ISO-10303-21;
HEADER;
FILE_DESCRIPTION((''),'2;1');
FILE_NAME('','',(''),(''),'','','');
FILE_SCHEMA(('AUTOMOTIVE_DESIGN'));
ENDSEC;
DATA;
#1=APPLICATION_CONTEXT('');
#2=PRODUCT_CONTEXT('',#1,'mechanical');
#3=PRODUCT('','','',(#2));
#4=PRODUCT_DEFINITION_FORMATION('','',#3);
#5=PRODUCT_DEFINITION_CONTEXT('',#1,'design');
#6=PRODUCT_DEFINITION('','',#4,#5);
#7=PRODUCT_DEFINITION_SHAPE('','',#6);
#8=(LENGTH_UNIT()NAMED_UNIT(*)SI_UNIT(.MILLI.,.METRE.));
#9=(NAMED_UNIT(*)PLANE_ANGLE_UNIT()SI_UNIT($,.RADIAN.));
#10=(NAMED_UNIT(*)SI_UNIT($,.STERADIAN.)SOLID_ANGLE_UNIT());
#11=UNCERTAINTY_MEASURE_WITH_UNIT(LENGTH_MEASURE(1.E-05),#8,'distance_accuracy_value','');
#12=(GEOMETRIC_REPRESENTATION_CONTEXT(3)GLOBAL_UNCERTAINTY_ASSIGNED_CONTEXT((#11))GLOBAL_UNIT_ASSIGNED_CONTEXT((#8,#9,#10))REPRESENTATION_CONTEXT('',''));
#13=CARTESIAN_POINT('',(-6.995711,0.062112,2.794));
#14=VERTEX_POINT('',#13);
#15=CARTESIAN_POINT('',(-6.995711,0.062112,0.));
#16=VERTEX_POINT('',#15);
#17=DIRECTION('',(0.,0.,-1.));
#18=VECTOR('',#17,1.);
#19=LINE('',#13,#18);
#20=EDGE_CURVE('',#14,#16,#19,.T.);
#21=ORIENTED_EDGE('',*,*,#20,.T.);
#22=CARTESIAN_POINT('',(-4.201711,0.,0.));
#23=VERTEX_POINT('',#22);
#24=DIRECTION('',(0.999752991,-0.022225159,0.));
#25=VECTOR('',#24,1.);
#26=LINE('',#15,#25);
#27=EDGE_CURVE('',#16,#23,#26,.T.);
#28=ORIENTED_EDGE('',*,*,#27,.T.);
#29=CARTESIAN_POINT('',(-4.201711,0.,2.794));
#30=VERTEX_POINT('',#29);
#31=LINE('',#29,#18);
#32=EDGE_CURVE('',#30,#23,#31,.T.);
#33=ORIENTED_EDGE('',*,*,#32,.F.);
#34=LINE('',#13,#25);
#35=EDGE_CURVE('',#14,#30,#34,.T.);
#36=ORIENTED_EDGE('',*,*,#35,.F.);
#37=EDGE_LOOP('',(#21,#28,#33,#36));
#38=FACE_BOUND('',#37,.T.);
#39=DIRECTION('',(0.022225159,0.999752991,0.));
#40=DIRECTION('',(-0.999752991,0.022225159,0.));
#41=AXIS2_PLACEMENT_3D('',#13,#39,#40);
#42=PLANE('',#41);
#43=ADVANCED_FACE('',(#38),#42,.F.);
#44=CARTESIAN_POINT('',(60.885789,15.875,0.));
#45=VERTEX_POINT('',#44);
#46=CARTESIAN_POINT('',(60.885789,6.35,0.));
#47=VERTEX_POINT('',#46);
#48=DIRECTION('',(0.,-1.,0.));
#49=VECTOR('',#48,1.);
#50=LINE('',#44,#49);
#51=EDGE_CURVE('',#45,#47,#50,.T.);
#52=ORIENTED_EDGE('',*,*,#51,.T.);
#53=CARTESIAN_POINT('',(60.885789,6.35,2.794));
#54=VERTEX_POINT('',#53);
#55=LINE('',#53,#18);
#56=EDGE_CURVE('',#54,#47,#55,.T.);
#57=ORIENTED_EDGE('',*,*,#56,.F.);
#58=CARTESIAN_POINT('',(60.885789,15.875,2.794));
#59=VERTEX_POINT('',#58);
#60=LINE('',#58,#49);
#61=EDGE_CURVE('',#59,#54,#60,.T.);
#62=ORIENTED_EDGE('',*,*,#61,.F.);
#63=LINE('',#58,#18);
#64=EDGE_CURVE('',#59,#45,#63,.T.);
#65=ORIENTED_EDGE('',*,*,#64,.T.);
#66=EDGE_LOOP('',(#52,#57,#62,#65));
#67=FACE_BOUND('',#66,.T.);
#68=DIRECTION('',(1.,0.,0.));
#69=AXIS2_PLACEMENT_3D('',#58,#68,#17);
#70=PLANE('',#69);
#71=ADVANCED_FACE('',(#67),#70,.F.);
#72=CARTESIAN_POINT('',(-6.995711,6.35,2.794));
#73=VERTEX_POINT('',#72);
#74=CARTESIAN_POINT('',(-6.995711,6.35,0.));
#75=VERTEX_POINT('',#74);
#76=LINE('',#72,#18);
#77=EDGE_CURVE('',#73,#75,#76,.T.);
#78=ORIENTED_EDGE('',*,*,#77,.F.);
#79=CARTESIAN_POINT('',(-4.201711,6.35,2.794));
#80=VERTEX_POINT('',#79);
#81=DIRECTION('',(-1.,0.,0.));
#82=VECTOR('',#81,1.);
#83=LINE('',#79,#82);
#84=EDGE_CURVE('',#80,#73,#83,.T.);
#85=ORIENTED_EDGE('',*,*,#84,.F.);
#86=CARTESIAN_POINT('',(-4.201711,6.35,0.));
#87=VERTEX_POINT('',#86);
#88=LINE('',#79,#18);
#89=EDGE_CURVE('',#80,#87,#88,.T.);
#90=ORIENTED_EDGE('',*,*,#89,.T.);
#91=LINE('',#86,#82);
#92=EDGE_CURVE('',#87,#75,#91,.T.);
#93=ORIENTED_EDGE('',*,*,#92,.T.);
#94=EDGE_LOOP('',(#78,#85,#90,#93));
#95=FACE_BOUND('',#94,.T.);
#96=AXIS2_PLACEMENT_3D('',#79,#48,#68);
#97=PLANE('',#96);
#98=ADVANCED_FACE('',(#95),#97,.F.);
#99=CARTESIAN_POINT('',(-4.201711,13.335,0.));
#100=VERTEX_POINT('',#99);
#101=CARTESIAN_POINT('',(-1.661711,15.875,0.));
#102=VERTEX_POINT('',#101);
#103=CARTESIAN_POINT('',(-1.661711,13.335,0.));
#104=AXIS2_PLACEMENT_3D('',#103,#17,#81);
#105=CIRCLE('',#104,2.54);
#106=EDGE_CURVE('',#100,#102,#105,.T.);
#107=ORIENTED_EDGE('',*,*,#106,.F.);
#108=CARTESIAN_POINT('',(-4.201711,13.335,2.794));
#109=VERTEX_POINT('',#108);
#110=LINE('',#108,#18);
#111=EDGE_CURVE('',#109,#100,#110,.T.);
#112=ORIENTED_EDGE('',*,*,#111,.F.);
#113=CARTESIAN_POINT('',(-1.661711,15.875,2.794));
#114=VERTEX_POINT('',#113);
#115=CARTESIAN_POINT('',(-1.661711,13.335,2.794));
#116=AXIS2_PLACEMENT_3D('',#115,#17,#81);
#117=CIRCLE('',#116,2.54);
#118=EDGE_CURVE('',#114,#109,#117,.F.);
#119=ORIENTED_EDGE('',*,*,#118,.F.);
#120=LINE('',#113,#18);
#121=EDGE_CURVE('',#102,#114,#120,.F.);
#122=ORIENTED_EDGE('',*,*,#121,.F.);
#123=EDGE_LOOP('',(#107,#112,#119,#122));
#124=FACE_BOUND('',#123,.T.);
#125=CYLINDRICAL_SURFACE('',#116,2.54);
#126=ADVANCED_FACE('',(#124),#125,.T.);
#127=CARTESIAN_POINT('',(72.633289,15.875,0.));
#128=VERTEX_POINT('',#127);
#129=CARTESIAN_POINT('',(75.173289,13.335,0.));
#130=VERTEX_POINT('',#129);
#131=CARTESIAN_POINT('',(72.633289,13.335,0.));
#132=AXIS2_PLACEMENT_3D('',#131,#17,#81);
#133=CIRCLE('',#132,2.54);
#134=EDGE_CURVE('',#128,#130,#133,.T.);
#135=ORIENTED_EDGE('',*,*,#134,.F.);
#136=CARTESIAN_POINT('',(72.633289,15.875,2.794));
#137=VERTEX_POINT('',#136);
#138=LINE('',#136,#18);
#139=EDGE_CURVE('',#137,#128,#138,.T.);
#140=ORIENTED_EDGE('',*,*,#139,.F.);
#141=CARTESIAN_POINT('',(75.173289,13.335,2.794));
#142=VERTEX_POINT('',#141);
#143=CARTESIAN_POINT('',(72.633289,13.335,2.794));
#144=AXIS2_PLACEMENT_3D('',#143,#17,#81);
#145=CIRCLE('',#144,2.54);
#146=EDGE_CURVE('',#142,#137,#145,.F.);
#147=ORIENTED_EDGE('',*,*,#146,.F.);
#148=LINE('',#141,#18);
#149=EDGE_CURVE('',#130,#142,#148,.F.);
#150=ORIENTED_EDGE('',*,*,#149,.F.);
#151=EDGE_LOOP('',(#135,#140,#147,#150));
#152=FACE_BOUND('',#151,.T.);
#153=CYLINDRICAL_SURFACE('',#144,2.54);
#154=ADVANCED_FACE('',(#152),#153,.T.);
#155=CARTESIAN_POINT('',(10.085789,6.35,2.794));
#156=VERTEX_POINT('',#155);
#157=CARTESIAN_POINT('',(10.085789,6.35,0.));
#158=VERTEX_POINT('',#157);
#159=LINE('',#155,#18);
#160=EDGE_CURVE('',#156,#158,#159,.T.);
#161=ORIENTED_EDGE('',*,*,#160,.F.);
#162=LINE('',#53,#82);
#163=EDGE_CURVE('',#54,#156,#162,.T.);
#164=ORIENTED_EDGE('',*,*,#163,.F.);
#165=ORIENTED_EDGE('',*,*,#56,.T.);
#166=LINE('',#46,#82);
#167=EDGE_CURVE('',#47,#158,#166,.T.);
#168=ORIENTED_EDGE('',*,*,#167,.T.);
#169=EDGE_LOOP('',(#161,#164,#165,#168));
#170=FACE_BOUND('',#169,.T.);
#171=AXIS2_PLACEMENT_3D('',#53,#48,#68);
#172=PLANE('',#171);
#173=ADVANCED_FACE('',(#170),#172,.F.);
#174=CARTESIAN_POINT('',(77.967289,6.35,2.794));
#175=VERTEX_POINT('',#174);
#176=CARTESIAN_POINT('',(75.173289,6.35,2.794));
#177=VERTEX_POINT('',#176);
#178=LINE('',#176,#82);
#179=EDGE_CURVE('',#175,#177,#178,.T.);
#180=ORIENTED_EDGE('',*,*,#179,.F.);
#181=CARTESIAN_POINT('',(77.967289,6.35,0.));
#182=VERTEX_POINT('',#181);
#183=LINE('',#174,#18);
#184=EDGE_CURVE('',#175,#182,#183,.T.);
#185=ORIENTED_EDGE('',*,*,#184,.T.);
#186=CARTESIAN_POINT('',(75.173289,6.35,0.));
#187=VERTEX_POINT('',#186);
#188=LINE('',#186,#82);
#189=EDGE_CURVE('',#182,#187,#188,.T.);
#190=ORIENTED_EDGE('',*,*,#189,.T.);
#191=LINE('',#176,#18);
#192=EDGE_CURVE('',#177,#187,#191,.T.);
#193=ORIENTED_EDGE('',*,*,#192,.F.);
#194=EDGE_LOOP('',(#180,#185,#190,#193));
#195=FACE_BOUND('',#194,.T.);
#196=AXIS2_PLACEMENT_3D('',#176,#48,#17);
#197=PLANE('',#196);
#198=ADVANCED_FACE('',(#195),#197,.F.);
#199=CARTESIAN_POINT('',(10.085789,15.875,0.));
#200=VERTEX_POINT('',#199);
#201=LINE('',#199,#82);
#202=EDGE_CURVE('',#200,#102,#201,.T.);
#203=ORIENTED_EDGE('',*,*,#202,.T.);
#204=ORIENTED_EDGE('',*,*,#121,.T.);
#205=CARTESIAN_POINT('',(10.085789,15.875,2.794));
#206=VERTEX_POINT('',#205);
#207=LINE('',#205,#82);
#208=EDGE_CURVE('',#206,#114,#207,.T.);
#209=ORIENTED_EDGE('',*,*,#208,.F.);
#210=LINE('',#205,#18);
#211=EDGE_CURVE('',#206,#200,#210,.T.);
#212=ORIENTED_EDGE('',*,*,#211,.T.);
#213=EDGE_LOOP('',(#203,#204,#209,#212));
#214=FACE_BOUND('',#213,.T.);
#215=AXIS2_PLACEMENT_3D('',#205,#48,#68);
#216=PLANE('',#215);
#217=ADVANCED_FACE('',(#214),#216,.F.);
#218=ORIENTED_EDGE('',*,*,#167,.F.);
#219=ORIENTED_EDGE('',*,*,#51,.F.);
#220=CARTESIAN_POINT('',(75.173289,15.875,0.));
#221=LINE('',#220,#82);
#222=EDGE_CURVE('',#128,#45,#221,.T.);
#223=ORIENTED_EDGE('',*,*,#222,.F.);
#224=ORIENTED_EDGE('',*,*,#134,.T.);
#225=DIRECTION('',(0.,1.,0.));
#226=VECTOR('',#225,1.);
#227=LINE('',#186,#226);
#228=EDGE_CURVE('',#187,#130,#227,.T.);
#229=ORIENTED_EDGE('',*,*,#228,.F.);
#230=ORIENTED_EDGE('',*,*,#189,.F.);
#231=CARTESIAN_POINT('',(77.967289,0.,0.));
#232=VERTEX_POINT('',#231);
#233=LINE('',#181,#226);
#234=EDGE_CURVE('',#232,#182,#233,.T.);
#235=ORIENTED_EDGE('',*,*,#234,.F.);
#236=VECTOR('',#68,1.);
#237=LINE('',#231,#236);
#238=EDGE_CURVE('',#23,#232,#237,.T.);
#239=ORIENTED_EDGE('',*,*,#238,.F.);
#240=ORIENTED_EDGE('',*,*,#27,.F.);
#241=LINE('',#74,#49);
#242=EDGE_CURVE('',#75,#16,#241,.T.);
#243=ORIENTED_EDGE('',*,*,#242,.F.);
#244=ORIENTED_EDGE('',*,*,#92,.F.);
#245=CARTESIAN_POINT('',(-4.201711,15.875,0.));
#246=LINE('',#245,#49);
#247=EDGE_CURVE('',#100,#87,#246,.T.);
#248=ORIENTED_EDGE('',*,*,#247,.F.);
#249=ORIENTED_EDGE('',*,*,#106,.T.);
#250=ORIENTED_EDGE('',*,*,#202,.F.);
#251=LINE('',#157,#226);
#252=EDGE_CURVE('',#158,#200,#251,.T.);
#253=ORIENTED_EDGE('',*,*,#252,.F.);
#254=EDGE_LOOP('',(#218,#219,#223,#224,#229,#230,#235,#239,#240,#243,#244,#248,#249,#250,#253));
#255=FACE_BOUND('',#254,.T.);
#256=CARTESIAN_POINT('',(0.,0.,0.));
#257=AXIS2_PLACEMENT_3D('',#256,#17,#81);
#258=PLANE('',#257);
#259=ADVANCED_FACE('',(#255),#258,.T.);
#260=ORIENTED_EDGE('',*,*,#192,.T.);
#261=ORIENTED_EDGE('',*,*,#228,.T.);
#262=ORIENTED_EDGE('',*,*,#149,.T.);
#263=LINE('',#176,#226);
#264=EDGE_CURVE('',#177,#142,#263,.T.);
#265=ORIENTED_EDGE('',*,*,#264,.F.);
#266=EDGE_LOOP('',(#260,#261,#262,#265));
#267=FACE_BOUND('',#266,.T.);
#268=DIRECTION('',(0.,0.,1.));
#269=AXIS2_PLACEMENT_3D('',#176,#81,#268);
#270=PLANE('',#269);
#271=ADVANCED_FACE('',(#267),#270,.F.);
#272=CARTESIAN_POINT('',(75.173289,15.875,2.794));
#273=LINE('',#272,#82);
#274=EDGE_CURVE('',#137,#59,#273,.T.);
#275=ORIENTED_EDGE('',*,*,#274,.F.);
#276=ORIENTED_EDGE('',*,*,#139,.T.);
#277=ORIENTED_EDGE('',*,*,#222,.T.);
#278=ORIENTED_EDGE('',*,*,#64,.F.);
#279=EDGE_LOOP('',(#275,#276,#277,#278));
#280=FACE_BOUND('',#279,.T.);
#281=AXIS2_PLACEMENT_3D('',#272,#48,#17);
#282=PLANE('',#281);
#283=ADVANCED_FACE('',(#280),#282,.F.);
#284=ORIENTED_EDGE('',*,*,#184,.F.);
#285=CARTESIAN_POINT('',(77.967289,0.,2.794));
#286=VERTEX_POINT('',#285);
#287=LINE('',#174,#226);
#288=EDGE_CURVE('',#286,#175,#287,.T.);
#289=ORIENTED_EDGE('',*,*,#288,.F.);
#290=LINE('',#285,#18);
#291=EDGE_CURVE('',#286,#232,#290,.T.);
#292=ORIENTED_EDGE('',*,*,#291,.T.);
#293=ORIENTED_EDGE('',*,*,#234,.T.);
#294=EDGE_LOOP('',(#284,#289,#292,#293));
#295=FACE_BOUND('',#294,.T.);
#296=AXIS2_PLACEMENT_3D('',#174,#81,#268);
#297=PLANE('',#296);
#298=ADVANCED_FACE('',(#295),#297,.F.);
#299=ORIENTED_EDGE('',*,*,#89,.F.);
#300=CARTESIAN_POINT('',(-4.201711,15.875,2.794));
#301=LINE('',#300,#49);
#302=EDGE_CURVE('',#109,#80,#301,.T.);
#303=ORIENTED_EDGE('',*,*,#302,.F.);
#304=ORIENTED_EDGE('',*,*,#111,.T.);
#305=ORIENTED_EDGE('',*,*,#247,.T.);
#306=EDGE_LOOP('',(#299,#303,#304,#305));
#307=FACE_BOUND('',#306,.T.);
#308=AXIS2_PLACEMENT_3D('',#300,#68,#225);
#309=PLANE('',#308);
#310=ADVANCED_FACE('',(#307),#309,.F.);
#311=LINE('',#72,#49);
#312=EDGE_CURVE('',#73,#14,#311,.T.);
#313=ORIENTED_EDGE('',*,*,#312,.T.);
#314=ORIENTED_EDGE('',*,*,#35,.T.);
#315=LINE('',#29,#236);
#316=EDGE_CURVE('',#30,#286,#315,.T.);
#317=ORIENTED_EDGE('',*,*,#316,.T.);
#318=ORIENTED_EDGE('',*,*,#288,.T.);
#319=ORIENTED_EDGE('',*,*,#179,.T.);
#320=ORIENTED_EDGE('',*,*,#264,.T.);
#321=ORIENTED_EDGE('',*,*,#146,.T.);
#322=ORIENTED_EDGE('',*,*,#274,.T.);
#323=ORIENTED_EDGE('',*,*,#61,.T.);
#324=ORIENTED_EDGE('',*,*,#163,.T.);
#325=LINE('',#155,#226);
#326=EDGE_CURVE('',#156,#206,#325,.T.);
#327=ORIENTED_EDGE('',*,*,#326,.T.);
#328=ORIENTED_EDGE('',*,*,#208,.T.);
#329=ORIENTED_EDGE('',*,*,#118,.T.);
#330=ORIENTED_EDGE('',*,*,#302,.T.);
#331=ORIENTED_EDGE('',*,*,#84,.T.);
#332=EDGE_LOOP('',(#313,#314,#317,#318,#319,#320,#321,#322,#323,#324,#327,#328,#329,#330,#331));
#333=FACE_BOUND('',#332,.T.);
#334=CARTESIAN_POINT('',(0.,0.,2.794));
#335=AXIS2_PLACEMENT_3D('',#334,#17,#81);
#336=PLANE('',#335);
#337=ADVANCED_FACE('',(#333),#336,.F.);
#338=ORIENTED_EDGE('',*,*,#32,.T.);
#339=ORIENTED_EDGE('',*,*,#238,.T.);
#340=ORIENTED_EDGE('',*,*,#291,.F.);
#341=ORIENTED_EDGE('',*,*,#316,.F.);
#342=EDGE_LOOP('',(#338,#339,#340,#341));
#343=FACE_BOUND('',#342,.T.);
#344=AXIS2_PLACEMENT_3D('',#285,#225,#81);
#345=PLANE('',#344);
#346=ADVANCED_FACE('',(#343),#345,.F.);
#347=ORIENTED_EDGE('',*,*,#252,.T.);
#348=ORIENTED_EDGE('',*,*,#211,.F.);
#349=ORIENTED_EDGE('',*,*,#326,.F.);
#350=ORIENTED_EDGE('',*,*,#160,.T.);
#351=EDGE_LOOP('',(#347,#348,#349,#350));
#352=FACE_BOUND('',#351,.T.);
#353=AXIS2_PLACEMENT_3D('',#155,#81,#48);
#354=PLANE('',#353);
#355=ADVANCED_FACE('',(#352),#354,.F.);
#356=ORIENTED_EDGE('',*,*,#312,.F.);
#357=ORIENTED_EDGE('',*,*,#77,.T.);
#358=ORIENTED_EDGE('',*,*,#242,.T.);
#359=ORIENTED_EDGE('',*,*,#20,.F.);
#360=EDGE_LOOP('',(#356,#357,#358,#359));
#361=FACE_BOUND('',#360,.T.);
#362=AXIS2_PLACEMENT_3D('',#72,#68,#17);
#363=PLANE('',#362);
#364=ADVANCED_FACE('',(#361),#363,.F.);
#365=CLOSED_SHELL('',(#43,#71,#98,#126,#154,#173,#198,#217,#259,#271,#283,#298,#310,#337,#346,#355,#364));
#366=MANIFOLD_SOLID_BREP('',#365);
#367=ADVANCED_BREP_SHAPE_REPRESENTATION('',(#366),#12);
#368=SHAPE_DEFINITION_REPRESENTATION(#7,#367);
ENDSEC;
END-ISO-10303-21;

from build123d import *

# Parameters (mm, degrees)
BOSS_EXTRUDE1_DEPTH = 2.794
FILLET1_R           = 2.54


with BuildPart() as part:
    # Sketch1 → Boss-Extrude1 (new body)
    with BuildSketch(Plane.XY):
        Polygon((-4.201711417, 0), (75.173288583, 0), (77.967288583, 0), (77.967288583, 6.35), (75.173288583, 6.35), (75.173288583, 15.875), (60.885788583, 15.875), (60.885788583, 6.35), (10.085788583, 6.35), (10.085788583, 15.875), (-4.201711417, 15.875), (-4.201711417, 6.35), (-6.995711417, 6.35), (-6.995711417, 0.062112437), align=None)
    extrude(amount=BOSS_EXTRUDE1_DEPTH)

    # Fillet1
    fillet1_edges = [part.edges().sort_by_distance(p)[0] for p in [
        (-4.201711417, 15.875, 1.397),
        (75.173288583, 15.875, 1.397),
    ]]
    fillet(fillet1_edges, radius=FILLET1_R)


solid = part.part
